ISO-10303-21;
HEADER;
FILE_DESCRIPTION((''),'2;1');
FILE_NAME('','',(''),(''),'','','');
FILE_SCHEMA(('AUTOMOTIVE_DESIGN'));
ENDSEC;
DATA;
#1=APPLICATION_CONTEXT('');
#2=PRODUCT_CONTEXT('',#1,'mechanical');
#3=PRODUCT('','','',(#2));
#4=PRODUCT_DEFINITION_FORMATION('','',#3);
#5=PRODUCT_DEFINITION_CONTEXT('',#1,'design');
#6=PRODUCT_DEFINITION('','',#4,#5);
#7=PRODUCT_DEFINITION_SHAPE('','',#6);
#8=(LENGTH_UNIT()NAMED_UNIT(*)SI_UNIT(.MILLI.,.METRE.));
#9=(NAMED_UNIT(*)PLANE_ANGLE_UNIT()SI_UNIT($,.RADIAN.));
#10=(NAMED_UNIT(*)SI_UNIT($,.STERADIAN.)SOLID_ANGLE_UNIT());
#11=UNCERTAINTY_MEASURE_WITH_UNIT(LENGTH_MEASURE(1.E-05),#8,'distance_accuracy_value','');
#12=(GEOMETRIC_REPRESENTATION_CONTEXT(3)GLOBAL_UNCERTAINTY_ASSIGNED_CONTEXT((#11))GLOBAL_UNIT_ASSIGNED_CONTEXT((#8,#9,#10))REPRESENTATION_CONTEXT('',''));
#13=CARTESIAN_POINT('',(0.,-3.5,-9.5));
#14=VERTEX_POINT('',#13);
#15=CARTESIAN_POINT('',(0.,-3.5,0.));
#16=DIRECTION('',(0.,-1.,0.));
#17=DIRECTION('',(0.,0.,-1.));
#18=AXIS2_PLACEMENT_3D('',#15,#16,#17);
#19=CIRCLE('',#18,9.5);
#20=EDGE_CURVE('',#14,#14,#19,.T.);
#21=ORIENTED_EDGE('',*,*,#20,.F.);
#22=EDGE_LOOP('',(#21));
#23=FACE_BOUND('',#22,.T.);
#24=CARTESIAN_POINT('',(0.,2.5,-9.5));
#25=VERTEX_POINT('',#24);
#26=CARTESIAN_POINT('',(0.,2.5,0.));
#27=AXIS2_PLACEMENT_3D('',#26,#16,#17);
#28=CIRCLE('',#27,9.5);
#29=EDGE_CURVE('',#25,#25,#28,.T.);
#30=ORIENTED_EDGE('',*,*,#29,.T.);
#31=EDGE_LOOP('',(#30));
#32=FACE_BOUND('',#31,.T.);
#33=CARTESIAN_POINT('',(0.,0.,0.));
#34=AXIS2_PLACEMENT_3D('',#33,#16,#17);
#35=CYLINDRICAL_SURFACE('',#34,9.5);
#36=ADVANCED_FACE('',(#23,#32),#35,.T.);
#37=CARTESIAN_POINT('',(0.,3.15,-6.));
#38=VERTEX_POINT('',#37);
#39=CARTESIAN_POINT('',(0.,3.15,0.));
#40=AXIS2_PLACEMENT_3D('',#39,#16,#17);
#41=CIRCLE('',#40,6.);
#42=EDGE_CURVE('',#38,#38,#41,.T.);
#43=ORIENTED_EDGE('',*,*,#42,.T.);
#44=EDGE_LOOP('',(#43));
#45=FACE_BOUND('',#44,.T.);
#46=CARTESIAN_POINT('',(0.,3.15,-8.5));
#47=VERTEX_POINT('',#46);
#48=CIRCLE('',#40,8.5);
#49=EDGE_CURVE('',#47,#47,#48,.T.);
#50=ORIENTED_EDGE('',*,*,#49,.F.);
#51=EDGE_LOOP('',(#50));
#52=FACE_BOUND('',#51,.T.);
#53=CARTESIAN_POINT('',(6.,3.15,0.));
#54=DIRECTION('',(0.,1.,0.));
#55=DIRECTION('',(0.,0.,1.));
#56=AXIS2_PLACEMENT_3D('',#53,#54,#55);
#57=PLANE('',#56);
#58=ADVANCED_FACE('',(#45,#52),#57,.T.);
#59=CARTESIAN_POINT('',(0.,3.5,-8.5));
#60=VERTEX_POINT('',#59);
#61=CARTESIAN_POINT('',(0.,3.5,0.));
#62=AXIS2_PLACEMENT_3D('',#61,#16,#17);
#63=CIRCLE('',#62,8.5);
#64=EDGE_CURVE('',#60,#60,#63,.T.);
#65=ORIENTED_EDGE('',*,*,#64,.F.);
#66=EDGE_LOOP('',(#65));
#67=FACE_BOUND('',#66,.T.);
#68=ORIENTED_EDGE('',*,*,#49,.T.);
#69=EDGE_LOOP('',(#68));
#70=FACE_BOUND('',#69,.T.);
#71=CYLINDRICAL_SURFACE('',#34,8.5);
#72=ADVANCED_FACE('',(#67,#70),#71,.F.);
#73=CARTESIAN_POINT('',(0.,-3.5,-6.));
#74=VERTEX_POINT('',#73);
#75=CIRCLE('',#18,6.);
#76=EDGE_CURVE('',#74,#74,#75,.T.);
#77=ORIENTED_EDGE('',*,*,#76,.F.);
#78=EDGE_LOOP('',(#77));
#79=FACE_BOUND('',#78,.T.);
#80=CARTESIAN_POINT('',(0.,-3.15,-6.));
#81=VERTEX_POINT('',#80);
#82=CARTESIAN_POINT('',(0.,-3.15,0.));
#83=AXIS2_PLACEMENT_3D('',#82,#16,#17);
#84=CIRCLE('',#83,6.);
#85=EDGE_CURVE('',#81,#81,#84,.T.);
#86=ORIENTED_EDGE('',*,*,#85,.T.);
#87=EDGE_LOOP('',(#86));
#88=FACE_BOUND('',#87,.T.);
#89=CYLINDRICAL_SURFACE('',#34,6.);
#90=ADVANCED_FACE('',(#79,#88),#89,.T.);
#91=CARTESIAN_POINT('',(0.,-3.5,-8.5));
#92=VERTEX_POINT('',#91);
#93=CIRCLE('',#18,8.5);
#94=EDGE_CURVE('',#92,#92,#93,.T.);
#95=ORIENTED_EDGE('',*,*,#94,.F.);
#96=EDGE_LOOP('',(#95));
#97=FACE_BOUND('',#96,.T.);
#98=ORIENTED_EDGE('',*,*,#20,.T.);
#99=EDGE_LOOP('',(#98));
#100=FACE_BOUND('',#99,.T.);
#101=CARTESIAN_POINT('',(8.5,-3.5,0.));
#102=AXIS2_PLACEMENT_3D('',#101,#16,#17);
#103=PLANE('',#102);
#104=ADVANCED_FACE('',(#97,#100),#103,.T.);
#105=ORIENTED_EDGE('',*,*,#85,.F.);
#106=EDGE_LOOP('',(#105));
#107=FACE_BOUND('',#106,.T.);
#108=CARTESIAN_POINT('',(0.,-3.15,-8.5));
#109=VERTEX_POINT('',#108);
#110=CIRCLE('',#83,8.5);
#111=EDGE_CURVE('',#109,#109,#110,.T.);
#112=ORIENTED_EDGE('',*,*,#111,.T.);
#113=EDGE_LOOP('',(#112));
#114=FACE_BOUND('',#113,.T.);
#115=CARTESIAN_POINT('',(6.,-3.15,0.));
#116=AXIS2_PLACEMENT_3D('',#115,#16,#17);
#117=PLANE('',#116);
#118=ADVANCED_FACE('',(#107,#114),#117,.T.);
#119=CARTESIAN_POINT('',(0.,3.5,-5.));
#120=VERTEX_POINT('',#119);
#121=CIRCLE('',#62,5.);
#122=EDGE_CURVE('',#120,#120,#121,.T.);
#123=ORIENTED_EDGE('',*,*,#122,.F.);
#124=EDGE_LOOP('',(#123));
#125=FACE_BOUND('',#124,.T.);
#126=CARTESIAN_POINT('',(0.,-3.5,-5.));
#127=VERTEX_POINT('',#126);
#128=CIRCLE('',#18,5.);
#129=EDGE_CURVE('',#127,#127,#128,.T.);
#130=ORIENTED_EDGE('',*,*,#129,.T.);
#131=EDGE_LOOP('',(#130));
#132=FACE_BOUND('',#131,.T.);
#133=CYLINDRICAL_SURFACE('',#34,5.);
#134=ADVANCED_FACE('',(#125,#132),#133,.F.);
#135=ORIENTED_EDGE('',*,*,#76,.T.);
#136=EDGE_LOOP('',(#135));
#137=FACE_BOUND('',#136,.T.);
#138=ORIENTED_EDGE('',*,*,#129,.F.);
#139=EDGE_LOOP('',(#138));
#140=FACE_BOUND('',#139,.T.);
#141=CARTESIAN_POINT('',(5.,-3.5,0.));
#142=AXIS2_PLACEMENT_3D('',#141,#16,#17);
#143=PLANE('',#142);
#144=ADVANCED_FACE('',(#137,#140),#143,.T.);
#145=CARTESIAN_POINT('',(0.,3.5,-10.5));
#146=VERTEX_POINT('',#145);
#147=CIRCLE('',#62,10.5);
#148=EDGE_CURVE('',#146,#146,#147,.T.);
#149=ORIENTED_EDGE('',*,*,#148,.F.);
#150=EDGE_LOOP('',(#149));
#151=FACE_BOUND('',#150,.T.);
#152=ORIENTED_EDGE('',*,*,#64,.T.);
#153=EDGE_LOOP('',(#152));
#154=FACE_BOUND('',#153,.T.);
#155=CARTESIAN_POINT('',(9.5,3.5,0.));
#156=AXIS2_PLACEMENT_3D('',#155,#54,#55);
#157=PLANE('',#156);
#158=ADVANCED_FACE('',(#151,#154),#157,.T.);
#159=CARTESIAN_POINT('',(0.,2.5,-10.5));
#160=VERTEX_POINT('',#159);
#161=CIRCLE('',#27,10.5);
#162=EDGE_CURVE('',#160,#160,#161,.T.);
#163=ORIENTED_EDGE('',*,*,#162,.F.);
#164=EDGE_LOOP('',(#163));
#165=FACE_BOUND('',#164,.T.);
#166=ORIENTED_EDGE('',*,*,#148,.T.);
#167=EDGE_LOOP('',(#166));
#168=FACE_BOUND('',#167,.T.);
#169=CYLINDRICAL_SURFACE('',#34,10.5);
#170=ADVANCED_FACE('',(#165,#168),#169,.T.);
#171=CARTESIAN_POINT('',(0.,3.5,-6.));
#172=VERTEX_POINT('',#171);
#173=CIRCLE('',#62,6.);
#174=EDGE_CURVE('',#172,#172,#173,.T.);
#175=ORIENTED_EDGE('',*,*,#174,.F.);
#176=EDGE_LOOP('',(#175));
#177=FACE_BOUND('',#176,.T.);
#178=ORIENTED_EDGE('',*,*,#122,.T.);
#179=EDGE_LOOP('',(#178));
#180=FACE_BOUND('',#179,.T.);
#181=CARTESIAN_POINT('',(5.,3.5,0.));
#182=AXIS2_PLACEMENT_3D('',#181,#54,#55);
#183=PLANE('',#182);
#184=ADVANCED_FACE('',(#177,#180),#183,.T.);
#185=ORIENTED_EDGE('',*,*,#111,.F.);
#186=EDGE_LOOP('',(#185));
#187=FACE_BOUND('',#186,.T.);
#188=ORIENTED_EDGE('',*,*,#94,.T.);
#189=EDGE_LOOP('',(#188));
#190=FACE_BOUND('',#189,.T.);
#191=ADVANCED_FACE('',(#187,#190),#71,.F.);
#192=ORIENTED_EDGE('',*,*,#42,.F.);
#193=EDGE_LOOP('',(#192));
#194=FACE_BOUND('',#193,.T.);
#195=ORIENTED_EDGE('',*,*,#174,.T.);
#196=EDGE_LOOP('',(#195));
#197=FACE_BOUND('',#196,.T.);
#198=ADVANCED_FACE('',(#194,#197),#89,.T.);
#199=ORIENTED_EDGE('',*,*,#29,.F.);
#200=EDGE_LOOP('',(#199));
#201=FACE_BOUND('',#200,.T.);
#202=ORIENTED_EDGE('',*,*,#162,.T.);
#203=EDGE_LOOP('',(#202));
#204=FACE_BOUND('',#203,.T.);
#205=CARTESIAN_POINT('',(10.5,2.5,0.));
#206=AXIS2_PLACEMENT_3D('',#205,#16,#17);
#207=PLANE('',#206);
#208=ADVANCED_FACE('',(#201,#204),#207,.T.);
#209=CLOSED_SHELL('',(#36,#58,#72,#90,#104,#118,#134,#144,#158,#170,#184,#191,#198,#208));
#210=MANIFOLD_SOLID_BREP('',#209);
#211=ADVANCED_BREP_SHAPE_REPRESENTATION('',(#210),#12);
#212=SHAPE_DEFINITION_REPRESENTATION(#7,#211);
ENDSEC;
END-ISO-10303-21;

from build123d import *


with BuildPart() as part:
    # 草图2 → 旋转1 (revolve)
    with BuildSketch(Plane.XY, mode=Mode.PRIVATE) as revolve_1_sk:
        Polygon((5, 3.5), (5, -3.5), (6, -3.5), (6, -3.15), (8.5, -3.15), (8.5, -3.5), (9.5, -3.5), (9.5, 2.5), (10.5, 2.5), (10.5, 3.5), (9.5, 3.5), (8.5, 3.5), (8.5, 3.15), (6, 3.15), (6, 3.5), align=None)
    revolve(revolve_1_sk.sketch.rotate(Axis((0, 0, 0), (0, 1, 0)), 90), axis=Axis((0, 0, 0), (0, 1, 0)))


solid = part.part
